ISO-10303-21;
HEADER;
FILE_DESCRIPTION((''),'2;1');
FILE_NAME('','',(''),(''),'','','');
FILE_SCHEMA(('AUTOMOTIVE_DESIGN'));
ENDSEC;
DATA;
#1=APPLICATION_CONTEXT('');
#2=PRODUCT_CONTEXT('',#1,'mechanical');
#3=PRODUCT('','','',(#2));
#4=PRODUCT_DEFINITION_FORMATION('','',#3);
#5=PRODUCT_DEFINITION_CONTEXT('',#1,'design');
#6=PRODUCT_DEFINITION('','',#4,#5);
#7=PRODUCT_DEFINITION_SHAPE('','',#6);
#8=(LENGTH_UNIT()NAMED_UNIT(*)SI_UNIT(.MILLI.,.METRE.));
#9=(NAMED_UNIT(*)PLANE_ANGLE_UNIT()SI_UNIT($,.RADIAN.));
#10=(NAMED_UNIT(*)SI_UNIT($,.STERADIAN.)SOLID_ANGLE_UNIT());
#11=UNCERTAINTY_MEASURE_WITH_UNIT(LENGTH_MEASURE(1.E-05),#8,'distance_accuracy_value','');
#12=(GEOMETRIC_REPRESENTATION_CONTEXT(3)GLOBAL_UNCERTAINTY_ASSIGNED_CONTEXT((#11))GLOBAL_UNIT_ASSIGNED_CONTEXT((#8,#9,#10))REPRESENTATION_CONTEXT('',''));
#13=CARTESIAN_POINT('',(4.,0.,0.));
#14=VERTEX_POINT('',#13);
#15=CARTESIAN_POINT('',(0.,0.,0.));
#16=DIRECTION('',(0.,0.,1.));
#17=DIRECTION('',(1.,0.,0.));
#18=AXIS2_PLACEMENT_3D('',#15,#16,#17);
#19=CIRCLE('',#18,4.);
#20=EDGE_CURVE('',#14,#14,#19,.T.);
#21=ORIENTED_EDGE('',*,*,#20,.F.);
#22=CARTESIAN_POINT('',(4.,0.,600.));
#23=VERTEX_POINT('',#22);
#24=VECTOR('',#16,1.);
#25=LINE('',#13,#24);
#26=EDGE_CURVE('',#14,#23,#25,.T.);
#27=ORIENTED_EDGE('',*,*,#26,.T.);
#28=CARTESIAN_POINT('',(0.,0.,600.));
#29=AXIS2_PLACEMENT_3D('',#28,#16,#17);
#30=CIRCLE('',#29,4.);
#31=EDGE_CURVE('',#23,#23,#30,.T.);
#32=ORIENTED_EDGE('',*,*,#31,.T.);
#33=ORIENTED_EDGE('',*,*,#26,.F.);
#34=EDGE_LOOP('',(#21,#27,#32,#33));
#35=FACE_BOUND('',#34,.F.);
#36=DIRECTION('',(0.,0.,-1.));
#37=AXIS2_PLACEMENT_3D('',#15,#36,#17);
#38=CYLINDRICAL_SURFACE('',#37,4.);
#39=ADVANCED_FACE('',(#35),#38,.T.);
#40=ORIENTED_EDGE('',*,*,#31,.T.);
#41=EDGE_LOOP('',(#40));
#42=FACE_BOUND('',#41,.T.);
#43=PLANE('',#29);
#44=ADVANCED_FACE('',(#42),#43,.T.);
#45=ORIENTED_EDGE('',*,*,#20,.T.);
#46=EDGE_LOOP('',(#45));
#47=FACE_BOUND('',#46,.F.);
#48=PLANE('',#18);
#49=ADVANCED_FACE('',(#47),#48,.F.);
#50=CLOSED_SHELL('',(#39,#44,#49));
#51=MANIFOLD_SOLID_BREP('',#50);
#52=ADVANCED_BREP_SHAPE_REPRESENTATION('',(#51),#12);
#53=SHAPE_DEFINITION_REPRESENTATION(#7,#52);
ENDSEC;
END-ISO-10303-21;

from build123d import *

# Parameters (mm, degrees)
SKETCH_R  = 4
PAD_DEPTH = 600


with BuildPart() as part:
    # Sketch → Pad (new body)
    with BuildSketch(Plane.XY):
        Circle(SKETCH_R)
    extrude(amount=PAD_DEPTH)


solid = part.part
